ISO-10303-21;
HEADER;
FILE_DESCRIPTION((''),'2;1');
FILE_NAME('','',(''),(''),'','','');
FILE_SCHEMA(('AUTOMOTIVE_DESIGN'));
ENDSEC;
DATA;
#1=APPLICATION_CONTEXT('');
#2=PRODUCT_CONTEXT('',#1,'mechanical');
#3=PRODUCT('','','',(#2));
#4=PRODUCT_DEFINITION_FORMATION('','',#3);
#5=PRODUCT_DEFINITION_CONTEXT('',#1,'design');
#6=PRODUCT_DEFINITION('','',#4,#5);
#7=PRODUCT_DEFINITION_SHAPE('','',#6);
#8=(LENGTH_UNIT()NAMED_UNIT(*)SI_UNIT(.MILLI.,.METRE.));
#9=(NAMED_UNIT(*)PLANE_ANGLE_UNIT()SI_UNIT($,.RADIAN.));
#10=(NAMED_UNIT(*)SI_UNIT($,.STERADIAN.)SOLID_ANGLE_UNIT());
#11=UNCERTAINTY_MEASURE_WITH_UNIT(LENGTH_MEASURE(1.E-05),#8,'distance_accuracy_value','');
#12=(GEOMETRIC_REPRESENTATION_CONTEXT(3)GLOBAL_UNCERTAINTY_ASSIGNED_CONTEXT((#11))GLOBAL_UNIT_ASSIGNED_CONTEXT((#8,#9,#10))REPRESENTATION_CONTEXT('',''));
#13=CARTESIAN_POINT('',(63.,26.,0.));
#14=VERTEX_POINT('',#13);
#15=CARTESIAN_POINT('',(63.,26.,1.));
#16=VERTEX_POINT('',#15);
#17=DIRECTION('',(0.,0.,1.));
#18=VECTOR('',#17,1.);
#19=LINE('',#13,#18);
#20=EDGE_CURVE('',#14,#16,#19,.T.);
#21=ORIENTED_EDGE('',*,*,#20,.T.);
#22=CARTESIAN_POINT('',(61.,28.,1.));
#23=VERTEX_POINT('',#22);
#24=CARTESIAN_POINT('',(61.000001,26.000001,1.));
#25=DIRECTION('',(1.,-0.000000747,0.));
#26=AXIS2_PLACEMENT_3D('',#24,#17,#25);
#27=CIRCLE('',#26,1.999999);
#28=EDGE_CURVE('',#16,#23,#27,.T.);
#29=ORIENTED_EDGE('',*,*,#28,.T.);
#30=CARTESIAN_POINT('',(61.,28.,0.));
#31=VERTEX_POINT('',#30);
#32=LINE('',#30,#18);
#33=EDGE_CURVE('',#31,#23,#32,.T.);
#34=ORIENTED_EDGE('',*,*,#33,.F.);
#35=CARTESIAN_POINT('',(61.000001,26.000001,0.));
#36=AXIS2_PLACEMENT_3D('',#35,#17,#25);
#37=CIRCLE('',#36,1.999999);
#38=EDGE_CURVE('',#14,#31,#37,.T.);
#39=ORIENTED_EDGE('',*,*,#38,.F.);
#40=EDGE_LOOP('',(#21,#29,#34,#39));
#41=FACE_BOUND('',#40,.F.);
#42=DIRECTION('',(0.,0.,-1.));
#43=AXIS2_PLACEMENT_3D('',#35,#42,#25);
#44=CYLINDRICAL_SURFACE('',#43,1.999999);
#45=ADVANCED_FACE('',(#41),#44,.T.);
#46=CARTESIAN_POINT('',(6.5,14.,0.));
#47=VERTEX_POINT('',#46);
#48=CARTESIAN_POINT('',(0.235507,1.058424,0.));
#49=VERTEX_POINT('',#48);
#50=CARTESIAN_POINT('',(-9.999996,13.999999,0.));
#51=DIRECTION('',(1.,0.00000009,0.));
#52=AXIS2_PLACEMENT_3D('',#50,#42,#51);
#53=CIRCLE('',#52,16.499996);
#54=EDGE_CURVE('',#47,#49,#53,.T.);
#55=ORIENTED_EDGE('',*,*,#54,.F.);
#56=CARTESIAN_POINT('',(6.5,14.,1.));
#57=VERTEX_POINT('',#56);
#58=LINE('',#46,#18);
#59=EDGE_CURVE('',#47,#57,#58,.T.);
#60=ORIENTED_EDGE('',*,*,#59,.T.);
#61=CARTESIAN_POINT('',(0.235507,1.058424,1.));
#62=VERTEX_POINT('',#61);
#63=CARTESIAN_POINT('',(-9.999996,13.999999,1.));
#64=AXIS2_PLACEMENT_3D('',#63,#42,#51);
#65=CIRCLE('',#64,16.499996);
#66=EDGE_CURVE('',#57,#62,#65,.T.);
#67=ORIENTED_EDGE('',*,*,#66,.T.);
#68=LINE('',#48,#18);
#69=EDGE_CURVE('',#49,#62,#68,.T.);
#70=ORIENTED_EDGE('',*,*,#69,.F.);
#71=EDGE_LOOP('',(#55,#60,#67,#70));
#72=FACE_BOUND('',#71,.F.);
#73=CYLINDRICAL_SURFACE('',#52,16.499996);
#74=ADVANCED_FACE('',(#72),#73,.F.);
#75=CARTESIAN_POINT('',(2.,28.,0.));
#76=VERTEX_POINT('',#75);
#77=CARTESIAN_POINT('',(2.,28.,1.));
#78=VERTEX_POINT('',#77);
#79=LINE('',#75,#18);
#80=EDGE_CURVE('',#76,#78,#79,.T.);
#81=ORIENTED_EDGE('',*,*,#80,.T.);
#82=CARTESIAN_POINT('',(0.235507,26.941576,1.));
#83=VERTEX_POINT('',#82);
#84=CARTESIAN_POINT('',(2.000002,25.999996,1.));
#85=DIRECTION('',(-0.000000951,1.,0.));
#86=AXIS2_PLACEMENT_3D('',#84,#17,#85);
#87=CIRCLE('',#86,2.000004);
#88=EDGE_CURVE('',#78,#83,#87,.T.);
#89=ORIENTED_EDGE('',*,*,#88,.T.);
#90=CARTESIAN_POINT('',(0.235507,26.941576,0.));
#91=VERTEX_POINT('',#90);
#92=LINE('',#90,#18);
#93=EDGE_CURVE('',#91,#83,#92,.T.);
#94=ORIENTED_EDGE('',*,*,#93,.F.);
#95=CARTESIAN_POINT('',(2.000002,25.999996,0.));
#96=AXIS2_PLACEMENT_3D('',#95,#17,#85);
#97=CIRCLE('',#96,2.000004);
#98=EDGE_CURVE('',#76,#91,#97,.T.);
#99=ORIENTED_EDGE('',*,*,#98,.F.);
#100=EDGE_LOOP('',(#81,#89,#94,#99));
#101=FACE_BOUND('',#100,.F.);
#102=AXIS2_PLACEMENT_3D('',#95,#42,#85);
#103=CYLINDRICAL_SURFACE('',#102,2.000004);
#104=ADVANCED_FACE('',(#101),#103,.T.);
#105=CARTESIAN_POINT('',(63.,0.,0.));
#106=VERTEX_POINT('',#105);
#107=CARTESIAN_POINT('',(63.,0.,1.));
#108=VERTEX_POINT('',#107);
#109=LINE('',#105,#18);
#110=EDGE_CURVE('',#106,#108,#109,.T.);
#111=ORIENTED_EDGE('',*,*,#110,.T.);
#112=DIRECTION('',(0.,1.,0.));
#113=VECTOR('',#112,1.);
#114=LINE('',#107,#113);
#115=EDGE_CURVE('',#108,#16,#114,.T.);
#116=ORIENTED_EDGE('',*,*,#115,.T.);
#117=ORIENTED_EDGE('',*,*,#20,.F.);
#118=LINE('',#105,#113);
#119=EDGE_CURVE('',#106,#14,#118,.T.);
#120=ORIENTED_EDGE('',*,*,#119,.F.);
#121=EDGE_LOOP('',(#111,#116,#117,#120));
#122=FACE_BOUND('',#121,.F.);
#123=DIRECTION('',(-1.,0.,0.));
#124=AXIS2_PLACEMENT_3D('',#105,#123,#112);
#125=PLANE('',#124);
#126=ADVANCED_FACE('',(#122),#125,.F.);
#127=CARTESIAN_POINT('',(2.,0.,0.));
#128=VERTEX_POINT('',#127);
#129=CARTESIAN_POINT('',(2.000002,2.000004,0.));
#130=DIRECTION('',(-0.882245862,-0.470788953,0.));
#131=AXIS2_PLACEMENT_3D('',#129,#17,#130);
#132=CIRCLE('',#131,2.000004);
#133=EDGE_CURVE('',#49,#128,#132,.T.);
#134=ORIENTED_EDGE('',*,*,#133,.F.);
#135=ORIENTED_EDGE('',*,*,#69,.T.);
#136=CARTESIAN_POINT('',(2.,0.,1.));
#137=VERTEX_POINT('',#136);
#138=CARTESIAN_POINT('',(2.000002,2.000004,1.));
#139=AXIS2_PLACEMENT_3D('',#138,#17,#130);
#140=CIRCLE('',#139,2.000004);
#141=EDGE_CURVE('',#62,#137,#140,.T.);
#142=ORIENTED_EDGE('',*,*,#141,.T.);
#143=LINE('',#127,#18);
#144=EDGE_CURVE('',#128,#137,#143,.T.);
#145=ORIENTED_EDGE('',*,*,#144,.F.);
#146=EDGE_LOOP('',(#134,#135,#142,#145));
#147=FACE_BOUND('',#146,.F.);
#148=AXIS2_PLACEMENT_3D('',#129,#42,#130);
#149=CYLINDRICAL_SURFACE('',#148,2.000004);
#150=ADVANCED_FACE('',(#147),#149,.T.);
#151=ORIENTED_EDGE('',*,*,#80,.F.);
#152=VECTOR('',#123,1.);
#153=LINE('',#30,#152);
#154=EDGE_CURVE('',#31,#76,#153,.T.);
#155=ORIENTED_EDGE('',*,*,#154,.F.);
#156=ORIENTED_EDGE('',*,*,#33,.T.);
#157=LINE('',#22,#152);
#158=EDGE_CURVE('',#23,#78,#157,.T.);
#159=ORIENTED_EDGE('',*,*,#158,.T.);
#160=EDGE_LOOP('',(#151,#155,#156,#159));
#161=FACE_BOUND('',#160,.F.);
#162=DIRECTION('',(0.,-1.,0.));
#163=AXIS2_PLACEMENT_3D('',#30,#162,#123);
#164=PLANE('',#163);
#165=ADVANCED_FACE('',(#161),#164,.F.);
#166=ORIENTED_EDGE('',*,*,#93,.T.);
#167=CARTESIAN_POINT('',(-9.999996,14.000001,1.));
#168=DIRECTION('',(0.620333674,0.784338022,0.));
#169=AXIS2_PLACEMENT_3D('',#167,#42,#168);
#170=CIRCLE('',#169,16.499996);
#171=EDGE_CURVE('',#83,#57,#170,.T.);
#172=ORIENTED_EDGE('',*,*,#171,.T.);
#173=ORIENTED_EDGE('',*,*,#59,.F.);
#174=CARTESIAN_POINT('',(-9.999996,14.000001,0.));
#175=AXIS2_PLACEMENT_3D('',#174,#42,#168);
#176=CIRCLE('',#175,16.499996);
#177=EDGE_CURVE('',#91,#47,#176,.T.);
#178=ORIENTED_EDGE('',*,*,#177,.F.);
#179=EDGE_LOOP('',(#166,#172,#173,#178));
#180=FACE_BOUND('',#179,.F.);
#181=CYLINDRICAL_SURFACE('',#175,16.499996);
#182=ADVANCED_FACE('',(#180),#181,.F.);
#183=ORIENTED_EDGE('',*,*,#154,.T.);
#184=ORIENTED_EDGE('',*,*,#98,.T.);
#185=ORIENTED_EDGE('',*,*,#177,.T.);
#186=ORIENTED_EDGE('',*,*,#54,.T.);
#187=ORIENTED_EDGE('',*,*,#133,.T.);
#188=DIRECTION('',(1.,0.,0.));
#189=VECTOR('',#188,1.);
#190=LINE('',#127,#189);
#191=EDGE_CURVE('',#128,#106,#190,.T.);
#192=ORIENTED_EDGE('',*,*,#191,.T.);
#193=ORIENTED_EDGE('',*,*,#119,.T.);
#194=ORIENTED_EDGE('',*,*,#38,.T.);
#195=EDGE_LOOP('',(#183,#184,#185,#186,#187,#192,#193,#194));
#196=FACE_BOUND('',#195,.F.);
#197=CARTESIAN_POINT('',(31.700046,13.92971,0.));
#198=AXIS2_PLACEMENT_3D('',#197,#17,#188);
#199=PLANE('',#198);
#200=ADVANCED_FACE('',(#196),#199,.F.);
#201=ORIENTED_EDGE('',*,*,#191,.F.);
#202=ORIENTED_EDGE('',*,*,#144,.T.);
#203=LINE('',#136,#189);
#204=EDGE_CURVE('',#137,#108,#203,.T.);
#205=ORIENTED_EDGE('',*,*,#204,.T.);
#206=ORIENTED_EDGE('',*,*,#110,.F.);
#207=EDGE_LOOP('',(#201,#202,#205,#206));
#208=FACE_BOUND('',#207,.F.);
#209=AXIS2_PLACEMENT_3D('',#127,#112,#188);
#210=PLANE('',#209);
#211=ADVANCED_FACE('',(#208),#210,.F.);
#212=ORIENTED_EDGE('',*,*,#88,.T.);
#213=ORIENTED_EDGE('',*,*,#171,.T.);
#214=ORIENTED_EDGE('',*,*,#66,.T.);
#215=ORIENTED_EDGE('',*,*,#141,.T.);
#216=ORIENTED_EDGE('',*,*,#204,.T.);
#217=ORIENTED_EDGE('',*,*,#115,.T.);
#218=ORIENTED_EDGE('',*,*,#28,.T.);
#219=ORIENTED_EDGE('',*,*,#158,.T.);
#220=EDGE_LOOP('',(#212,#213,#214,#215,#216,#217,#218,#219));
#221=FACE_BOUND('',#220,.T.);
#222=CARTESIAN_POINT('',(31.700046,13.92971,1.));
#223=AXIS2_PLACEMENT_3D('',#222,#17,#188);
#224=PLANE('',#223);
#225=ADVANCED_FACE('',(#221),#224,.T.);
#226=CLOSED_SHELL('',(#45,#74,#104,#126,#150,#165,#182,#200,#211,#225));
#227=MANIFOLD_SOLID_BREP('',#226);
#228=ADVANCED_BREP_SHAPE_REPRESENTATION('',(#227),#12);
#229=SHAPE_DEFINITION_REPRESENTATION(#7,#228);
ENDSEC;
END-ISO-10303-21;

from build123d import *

# Parameters (mm, degrees)
F1_DEPTH = 1


with BuildPart() as f1:
    # F0 (on Top) → F1 (new body)
    with BuildSketch(Plane.XY):
        with BuildLine():
            ThreePointArc((0.235507, 1.058424), (0.971203, 0.284898), (2, 0))
            Line((2, 0), (63, 0))
            Line((63, 0), (63, 26))
            ThreePointArc((63, 26), (62.414214, 27.414214), (61, 28))
            Line((61, 28), (2, 28))
            ThreePointArc((2, 28), (0.971203, 27.715102), (0.235507, 26.941576))
            ThreePointArc((0.235507, 26.941576), (4.85153, 21.189024), (6.5, 14))
            ThreePointArc((6.5, 14), (4.85153, 6.810976), (0.235507, 1.058424))
        make_face()
    extrude(amount=F1_DEPTH)


solid = f1.part
